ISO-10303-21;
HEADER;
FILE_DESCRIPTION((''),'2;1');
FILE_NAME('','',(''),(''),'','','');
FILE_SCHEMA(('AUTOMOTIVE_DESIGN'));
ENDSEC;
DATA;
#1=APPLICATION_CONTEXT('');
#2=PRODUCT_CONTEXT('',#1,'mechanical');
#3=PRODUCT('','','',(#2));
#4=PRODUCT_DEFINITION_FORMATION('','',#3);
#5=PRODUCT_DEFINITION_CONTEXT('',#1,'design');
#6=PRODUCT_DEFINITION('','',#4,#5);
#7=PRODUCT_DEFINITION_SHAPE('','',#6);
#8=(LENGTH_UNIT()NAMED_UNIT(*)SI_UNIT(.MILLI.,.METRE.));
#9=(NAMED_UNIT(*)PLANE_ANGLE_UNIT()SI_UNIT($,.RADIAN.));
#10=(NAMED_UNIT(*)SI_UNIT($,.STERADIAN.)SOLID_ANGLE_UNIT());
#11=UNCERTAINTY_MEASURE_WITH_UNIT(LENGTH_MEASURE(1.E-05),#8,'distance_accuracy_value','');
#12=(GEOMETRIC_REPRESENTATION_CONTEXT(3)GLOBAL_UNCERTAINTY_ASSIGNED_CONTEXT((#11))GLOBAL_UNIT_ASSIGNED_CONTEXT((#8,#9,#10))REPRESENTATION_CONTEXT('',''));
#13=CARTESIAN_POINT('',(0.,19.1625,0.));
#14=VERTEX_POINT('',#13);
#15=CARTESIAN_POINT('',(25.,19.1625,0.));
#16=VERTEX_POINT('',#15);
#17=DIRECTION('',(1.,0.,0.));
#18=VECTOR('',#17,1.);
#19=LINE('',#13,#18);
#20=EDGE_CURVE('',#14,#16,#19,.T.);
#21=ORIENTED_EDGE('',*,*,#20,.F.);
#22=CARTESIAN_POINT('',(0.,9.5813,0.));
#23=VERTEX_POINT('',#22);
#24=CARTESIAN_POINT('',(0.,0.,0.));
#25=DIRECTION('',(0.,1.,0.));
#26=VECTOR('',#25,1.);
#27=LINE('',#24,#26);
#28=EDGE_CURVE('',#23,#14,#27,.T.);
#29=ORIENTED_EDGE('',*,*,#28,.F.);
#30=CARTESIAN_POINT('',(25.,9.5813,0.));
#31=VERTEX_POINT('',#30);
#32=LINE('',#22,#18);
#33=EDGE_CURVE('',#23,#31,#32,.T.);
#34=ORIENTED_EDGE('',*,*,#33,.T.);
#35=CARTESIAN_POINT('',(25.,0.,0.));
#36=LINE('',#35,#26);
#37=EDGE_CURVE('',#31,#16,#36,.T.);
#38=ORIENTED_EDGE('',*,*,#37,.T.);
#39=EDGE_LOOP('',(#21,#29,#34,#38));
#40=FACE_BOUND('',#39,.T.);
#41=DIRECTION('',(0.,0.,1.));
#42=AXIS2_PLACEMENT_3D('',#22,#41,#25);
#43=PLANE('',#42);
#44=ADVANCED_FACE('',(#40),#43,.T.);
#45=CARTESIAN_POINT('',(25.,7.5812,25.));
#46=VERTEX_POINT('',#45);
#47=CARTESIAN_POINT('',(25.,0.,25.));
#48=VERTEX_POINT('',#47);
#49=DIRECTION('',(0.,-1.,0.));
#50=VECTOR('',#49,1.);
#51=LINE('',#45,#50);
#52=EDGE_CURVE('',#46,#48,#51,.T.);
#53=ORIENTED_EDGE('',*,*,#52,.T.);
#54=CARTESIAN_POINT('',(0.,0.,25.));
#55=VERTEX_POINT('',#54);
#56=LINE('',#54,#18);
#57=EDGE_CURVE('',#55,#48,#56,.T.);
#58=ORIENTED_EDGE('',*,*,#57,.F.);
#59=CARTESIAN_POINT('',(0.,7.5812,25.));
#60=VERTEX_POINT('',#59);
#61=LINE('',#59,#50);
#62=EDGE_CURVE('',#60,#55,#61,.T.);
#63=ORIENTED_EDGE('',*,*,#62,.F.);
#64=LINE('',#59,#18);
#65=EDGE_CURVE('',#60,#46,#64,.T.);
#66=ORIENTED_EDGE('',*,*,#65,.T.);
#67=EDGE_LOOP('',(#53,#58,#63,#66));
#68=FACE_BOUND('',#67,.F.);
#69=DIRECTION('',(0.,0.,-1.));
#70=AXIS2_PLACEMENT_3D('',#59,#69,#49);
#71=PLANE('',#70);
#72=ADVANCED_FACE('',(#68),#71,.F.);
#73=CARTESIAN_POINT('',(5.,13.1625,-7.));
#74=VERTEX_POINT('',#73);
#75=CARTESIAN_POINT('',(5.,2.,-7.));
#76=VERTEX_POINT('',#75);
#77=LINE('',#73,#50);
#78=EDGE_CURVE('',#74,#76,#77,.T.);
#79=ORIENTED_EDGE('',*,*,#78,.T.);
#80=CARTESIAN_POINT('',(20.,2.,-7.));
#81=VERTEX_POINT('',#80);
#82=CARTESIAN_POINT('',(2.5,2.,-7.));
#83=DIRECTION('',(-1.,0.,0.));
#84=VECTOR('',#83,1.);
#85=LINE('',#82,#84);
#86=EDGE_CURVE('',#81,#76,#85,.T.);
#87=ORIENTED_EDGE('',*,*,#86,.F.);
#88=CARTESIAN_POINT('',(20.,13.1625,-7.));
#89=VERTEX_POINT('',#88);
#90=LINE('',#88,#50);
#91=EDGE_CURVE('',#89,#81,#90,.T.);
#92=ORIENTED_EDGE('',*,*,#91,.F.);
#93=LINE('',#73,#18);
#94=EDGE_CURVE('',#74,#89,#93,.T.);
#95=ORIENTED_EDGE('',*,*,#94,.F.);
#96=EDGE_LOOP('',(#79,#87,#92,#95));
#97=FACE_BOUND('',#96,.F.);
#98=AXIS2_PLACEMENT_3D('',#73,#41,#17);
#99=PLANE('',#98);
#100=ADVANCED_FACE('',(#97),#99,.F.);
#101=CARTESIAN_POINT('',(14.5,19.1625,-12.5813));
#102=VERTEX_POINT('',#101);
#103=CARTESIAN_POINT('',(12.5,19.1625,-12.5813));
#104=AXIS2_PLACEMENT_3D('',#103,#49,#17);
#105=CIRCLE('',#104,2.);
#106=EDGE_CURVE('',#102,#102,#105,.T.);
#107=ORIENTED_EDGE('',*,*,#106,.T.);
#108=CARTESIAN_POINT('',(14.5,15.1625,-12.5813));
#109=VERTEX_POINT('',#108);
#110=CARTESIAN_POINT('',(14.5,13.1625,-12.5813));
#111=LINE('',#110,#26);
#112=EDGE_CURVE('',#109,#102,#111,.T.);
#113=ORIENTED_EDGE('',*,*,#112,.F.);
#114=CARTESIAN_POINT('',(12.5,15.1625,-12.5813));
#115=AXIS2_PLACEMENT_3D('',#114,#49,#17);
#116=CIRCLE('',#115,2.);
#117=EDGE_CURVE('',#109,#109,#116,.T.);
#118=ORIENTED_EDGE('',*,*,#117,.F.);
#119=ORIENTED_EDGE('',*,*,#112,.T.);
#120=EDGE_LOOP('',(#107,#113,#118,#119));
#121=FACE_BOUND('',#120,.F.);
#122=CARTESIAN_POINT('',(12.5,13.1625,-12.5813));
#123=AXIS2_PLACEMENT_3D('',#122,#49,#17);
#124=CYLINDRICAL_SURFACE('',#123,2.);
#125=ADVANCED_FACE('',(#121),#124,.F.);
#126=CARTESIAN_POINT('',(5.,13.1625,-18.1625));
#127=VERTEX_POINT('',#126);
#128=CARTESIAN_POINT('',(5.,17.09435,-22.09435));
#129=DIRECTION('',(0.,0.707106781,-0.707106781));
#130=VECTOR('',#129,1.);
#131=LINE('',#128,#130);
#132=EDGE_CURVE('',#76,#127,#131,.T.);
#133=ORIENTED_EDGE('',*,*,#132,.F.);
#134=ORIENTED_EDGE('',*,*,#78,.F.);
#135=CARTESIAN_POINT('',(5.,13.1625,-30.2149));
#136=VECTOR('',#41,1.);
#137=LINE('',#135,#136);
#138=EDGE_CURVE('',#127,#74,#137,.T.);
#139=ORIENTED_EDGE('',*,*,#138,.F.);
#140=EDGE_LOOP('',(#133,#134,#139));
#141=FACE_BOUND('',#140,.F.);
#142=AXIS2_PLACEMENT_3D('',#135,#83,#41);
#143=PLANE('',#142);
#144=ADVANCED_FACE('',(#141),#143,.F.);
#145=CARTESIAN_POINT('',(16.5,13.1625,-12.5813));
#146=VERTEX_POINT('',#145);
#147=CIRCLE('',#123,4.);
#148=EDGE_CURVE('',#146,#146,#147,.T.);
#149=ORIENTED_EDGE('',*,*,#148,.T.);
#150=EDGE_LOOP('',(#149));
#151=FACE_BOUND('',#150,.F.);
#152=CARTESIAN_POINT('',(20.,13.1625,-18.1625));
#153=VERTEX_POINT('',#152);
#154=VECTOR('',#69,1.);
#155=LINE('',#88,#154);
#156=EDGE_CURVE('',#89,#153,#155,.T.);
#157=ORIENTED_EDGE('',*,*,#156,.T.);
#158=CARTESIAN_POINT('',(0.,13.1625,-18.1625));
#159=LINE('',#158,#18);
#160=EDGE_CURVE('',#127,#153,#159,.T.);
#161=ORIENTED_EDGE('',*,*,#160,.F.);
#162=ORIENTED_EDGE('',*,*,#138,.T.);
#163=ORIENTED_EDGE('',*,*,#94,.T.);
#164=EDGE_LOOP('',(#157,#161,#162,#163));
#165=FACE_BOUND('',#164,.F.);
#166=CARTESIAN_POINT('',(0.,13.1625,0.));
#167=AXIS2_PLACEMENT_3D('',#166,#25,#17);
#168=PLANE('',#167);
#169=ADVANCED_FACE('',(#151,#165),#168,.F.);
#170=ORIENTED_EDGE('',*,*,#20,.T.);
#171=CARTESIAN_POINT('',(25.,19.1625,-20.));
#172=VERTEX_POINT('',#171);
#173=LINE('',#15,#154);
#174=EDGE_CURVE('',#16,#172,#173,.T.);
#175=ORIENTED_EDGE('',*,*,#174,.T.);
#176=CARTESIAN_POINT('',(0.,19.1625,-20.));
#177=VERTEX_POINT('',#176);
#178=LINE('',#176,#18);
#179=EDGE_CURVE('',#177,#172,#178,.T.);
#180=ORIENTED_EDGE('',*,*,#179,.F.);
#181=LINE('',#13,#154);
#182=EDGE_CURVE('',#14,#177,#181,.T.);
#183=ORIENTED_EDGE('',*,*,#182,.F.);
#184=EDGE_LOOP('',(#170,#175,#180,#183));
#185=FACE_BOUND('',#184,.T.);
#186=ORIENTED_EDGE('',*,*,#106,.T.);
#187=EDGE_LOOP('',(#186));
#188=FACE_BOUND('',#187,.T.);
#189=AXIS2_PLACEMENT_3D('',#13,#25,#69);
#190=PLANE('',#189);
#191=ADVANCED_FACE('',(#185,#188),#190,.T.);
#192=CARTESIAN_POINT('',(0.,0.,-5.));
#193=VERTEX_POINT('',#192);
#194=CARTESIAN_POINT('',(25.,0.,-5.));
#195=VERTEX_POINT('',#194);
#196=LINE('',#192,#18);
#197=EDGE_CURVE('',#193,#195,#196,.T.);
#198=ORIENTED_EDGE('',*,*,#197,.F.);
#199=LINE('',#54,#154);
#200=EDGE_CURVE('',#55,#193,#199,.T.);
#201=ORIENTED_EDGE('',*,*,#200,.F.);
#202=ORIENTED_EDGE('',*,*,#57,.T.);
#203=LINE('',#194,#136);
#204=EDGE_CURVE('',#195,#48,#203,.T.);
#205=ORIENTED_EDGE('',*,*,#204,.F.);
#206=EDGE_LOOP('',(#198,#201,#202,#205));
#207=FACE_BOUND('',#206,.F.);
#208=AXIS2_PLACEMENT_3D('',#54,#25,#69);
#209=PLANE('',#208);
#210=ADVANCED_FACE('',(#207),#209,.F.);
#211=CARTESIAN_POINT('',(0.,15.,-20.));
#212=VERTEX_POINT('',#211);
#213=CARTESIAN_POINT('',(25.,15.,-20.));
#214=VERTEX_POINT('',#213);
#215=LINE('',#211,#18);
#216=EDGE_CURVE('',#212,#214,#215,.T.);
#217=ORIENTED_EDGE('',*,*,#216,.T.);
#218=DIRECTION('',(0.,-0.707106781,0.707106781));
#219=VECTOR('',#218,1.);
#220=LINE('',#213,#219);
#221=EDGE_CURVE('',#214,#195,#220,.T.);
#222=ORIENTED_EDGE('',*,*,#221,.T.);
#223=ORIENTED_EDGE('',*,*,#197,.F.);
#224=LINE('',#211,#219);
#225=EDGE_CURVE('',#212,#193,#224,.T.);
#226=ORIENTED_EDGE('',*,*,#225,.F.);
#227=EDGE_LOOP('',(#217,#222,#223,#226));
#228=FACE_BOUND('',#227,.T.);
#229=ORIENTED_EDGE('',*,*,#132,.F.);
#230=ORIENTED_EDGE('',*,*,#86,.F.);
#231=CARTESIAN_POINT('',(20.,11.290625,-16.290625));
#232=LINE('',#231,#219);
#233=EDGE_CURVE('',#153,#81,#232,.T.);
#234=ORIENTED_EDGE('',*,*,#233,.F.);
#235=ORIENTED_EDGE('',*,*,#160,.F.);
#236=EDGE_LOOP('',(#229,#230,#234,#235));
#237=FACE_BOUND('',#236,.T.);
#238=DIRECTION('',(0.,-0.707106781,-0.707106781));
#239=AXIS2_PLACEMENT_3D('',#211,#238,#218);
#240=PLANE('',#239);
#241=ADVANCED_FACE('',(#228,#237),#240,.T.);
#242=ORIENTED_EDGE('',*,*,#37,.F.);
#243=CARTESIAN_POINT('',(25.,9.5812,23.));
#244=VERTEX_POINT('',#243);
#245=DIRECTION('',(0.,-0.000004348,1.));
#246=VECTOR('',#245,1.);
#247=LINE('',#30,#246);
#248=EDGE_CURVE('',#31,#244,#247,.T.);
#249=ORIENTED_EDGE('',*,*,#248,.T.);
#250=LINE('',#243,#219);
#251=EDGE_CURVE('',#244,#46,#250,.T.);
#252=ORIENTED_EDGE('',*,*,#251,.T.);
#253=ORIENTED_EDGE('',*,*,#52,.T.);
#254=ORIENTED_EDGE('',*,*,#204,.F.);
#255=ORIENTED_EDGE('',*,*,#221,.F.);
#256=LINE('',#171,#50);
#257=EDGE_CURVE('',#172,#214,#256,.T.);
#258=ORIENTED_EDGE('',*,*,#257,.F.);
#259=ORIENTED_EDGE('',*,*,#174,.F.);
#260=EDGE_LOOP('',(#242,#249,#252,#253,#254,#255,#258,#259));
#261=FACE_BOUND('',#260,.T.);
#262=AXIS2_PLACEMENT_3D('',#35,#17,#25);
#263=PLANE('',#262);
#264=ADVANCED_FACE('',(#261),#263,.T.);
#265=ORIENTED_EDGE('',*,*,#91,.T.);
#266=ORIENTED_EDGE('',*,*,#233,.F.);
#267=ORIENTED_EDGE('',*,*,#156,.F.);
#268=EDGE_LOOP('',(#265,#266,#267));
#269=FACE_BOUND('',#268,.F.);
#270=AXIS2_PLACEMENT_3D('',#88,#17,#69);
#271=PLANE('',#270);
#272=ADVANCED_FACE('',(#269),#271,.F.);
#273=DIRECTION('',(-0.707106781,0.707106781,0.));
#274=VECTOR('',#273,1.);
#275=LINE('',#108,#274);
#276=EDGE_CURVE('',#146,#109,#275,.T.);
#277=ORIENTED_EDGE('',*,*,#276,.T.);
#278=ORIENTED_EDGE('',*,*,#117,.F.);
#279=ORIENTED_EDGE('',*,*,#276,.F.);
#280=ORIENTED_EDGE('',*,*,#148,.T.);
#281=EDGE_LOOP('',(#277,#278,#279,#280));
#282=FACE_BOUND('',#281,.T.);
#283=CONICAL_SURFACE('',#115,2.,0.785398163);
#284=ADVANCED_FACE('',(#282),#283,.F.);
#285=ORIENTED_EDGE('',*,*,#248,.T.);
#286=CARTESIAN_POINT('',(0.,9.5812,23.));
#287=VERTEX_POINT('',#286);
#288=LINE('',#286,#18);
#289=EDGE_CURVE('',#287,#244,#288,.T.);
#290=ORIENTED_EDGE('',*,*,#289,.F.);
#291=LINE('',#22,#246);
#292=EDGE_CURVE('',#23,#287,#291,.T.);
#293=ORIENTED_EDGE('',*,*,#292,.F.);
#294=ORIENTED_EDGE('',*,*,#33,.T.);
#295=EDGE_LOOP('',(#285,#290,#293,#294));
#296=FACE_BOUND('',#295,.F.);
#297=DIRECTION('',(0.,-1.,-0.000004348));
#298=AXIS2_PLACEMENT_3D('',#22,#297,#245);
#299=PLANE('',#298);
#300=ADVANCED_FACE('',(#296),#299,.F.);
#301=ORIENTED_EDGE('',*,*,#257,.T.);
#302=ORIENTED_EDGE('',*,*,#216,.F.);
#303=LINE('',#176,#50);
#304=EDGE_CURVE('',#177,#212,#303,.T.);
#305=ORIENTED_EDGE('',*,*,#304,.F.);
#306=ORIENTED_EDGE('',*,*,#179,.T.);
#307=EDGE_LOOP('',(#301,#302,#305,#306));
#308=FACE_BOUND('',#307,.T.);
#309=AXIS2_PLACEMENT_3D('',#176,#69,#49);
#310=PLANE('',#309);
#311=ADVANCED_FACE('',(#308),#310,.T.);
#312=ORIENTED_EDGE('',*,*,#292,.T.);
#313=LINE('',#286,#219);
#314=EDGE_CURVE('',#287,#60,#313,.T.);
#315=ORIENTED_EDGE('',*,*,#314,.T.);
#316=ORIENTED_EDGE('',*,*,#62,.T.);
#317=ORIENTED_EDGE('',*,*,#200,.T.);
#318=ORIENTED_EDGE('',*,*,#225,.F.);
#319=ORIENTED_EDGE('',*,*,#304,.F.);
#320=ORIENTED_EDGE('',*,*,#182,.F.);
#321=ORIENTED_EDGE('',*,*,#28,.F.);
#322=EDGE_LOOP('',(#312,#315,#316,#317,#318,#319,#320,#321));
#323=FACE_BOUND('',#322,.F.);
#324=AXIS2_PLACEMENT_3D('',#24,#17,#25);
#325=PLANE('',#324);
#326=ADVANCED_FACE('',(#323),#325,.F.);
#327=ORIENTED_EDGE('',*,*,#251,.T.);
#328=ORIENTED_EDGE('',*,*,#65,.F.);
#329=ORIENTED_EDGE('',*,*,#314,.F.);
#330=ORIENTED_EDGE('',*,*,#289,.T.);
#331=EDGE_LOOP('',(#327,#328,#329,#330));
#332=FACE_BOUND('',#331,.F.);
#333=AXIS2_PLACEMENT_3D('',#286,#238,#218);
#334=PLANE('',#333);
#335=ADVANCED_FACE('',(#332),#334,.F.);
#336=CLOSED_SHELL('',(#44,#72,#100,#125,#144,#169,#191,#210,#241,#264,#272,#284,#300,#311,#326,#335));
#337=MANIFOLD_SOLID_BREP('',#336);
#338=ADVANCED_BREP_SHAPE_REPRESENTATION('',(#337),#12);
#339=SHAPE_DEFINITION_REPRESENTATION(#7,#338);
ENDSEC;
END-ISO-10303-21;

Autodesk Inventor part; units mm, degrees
ref_plane "YZ Plane" through (0, 0, 0) normal (1, 0, 0) x (0, 1, 0)
ref_plane "XZ Plane" through (0, 0, 0) normal (0, 1, 0) x (-1, 0, 0)
sketch "Sketch1" plane through (0, 0, 0) normal (1, 0, 0) x (0, 1, 0)
  line L0 (0, 0) -> (9.5813, 0)
  line L1 (9.5813, 0) -> (9.5812, 23)
  line L2 (7.5812, 25) -> (0, 25)
  line L3 (0, 25) -> (0, 0)
  line L4 (9.5812, 23) -> (7.5812, 25)
  line L5 (0, 0) -> (19.1625, 0)
  line L6 (19.1625, 0) -> (19.1625, -20)
  line L7 (19.1625, -20) -> (15, -20)
  line L8 (0, -5) -> (0, 0)
  line L9 (19.1625, -20) -> (11.1625, -20)
  line L10 (15, -20) -> (0, -5)
  point P0 (9.5812, 25)
  point P1 (0, -20)
  dimension "d0" = 9.5813
  dimension "d1" = 25
  dimension "d2" = 2
  dimension "d3" = 2
  dimension "d4" = 20
  dimension "d5" = 19.1625
  dimension "d8" = 15
  dimension "d9" = 15
extrude "Extrusion1" add sketch "Sketch1" along normal blind 25
ref_plane "Work Plane1" through (0, 13.1625, 0) normal (0, 1, 0) x (1, 0, 0)
sketch "Sketch2" plane through (0, 13.1625, 0) normal (0, 1, 0) x (1, 0, 0)
  line L0 (20, 30.2149) -> (5, 30.2149)
  line L1 (5, 30.2149) -> (5, 7)
  line L2 (5, 7) -> (20, 7)
  line L3 (20, 7) -> (20, 30.2149)
  line L4 (25, 5) -> (25, 20) projected
  line L5 (0, 5) -> (0, 20) projected
  line L6 (0, 0) -> (25, 0) projected
  dimension "d13" = 5
  dimension "d14" = 5
  dimension "d15" = 7
extrude "Extrusion2" cut sketch "Sketch2" against normal blind 25
sketch "Sketch3" plane through (0, 13.1625, 0) normal (0, -1, 0) x (1, 0, 0)
  circle A0 centre (12.5, -12.5813) radius 2
  line L0 (20, -7) -> (20, -18.1625) projected
  point P0 (0, 0)
  point P1 (20, -12.5813)
  dimension "d18" = 4
  dimension "d19" = 0
extrude "Extrusion3" cut sketch "Sketch3" against normal blind 25
chamfer "Chamfer1" distance 2 angle 45 1 edges at (10.5, 13.1625, -12.5813)
equation "\"d3\" = d2"
equation "\"d5\" = 2 * d0"
equation "\"d9\" = d8"
properties part number "front wall bkt"
